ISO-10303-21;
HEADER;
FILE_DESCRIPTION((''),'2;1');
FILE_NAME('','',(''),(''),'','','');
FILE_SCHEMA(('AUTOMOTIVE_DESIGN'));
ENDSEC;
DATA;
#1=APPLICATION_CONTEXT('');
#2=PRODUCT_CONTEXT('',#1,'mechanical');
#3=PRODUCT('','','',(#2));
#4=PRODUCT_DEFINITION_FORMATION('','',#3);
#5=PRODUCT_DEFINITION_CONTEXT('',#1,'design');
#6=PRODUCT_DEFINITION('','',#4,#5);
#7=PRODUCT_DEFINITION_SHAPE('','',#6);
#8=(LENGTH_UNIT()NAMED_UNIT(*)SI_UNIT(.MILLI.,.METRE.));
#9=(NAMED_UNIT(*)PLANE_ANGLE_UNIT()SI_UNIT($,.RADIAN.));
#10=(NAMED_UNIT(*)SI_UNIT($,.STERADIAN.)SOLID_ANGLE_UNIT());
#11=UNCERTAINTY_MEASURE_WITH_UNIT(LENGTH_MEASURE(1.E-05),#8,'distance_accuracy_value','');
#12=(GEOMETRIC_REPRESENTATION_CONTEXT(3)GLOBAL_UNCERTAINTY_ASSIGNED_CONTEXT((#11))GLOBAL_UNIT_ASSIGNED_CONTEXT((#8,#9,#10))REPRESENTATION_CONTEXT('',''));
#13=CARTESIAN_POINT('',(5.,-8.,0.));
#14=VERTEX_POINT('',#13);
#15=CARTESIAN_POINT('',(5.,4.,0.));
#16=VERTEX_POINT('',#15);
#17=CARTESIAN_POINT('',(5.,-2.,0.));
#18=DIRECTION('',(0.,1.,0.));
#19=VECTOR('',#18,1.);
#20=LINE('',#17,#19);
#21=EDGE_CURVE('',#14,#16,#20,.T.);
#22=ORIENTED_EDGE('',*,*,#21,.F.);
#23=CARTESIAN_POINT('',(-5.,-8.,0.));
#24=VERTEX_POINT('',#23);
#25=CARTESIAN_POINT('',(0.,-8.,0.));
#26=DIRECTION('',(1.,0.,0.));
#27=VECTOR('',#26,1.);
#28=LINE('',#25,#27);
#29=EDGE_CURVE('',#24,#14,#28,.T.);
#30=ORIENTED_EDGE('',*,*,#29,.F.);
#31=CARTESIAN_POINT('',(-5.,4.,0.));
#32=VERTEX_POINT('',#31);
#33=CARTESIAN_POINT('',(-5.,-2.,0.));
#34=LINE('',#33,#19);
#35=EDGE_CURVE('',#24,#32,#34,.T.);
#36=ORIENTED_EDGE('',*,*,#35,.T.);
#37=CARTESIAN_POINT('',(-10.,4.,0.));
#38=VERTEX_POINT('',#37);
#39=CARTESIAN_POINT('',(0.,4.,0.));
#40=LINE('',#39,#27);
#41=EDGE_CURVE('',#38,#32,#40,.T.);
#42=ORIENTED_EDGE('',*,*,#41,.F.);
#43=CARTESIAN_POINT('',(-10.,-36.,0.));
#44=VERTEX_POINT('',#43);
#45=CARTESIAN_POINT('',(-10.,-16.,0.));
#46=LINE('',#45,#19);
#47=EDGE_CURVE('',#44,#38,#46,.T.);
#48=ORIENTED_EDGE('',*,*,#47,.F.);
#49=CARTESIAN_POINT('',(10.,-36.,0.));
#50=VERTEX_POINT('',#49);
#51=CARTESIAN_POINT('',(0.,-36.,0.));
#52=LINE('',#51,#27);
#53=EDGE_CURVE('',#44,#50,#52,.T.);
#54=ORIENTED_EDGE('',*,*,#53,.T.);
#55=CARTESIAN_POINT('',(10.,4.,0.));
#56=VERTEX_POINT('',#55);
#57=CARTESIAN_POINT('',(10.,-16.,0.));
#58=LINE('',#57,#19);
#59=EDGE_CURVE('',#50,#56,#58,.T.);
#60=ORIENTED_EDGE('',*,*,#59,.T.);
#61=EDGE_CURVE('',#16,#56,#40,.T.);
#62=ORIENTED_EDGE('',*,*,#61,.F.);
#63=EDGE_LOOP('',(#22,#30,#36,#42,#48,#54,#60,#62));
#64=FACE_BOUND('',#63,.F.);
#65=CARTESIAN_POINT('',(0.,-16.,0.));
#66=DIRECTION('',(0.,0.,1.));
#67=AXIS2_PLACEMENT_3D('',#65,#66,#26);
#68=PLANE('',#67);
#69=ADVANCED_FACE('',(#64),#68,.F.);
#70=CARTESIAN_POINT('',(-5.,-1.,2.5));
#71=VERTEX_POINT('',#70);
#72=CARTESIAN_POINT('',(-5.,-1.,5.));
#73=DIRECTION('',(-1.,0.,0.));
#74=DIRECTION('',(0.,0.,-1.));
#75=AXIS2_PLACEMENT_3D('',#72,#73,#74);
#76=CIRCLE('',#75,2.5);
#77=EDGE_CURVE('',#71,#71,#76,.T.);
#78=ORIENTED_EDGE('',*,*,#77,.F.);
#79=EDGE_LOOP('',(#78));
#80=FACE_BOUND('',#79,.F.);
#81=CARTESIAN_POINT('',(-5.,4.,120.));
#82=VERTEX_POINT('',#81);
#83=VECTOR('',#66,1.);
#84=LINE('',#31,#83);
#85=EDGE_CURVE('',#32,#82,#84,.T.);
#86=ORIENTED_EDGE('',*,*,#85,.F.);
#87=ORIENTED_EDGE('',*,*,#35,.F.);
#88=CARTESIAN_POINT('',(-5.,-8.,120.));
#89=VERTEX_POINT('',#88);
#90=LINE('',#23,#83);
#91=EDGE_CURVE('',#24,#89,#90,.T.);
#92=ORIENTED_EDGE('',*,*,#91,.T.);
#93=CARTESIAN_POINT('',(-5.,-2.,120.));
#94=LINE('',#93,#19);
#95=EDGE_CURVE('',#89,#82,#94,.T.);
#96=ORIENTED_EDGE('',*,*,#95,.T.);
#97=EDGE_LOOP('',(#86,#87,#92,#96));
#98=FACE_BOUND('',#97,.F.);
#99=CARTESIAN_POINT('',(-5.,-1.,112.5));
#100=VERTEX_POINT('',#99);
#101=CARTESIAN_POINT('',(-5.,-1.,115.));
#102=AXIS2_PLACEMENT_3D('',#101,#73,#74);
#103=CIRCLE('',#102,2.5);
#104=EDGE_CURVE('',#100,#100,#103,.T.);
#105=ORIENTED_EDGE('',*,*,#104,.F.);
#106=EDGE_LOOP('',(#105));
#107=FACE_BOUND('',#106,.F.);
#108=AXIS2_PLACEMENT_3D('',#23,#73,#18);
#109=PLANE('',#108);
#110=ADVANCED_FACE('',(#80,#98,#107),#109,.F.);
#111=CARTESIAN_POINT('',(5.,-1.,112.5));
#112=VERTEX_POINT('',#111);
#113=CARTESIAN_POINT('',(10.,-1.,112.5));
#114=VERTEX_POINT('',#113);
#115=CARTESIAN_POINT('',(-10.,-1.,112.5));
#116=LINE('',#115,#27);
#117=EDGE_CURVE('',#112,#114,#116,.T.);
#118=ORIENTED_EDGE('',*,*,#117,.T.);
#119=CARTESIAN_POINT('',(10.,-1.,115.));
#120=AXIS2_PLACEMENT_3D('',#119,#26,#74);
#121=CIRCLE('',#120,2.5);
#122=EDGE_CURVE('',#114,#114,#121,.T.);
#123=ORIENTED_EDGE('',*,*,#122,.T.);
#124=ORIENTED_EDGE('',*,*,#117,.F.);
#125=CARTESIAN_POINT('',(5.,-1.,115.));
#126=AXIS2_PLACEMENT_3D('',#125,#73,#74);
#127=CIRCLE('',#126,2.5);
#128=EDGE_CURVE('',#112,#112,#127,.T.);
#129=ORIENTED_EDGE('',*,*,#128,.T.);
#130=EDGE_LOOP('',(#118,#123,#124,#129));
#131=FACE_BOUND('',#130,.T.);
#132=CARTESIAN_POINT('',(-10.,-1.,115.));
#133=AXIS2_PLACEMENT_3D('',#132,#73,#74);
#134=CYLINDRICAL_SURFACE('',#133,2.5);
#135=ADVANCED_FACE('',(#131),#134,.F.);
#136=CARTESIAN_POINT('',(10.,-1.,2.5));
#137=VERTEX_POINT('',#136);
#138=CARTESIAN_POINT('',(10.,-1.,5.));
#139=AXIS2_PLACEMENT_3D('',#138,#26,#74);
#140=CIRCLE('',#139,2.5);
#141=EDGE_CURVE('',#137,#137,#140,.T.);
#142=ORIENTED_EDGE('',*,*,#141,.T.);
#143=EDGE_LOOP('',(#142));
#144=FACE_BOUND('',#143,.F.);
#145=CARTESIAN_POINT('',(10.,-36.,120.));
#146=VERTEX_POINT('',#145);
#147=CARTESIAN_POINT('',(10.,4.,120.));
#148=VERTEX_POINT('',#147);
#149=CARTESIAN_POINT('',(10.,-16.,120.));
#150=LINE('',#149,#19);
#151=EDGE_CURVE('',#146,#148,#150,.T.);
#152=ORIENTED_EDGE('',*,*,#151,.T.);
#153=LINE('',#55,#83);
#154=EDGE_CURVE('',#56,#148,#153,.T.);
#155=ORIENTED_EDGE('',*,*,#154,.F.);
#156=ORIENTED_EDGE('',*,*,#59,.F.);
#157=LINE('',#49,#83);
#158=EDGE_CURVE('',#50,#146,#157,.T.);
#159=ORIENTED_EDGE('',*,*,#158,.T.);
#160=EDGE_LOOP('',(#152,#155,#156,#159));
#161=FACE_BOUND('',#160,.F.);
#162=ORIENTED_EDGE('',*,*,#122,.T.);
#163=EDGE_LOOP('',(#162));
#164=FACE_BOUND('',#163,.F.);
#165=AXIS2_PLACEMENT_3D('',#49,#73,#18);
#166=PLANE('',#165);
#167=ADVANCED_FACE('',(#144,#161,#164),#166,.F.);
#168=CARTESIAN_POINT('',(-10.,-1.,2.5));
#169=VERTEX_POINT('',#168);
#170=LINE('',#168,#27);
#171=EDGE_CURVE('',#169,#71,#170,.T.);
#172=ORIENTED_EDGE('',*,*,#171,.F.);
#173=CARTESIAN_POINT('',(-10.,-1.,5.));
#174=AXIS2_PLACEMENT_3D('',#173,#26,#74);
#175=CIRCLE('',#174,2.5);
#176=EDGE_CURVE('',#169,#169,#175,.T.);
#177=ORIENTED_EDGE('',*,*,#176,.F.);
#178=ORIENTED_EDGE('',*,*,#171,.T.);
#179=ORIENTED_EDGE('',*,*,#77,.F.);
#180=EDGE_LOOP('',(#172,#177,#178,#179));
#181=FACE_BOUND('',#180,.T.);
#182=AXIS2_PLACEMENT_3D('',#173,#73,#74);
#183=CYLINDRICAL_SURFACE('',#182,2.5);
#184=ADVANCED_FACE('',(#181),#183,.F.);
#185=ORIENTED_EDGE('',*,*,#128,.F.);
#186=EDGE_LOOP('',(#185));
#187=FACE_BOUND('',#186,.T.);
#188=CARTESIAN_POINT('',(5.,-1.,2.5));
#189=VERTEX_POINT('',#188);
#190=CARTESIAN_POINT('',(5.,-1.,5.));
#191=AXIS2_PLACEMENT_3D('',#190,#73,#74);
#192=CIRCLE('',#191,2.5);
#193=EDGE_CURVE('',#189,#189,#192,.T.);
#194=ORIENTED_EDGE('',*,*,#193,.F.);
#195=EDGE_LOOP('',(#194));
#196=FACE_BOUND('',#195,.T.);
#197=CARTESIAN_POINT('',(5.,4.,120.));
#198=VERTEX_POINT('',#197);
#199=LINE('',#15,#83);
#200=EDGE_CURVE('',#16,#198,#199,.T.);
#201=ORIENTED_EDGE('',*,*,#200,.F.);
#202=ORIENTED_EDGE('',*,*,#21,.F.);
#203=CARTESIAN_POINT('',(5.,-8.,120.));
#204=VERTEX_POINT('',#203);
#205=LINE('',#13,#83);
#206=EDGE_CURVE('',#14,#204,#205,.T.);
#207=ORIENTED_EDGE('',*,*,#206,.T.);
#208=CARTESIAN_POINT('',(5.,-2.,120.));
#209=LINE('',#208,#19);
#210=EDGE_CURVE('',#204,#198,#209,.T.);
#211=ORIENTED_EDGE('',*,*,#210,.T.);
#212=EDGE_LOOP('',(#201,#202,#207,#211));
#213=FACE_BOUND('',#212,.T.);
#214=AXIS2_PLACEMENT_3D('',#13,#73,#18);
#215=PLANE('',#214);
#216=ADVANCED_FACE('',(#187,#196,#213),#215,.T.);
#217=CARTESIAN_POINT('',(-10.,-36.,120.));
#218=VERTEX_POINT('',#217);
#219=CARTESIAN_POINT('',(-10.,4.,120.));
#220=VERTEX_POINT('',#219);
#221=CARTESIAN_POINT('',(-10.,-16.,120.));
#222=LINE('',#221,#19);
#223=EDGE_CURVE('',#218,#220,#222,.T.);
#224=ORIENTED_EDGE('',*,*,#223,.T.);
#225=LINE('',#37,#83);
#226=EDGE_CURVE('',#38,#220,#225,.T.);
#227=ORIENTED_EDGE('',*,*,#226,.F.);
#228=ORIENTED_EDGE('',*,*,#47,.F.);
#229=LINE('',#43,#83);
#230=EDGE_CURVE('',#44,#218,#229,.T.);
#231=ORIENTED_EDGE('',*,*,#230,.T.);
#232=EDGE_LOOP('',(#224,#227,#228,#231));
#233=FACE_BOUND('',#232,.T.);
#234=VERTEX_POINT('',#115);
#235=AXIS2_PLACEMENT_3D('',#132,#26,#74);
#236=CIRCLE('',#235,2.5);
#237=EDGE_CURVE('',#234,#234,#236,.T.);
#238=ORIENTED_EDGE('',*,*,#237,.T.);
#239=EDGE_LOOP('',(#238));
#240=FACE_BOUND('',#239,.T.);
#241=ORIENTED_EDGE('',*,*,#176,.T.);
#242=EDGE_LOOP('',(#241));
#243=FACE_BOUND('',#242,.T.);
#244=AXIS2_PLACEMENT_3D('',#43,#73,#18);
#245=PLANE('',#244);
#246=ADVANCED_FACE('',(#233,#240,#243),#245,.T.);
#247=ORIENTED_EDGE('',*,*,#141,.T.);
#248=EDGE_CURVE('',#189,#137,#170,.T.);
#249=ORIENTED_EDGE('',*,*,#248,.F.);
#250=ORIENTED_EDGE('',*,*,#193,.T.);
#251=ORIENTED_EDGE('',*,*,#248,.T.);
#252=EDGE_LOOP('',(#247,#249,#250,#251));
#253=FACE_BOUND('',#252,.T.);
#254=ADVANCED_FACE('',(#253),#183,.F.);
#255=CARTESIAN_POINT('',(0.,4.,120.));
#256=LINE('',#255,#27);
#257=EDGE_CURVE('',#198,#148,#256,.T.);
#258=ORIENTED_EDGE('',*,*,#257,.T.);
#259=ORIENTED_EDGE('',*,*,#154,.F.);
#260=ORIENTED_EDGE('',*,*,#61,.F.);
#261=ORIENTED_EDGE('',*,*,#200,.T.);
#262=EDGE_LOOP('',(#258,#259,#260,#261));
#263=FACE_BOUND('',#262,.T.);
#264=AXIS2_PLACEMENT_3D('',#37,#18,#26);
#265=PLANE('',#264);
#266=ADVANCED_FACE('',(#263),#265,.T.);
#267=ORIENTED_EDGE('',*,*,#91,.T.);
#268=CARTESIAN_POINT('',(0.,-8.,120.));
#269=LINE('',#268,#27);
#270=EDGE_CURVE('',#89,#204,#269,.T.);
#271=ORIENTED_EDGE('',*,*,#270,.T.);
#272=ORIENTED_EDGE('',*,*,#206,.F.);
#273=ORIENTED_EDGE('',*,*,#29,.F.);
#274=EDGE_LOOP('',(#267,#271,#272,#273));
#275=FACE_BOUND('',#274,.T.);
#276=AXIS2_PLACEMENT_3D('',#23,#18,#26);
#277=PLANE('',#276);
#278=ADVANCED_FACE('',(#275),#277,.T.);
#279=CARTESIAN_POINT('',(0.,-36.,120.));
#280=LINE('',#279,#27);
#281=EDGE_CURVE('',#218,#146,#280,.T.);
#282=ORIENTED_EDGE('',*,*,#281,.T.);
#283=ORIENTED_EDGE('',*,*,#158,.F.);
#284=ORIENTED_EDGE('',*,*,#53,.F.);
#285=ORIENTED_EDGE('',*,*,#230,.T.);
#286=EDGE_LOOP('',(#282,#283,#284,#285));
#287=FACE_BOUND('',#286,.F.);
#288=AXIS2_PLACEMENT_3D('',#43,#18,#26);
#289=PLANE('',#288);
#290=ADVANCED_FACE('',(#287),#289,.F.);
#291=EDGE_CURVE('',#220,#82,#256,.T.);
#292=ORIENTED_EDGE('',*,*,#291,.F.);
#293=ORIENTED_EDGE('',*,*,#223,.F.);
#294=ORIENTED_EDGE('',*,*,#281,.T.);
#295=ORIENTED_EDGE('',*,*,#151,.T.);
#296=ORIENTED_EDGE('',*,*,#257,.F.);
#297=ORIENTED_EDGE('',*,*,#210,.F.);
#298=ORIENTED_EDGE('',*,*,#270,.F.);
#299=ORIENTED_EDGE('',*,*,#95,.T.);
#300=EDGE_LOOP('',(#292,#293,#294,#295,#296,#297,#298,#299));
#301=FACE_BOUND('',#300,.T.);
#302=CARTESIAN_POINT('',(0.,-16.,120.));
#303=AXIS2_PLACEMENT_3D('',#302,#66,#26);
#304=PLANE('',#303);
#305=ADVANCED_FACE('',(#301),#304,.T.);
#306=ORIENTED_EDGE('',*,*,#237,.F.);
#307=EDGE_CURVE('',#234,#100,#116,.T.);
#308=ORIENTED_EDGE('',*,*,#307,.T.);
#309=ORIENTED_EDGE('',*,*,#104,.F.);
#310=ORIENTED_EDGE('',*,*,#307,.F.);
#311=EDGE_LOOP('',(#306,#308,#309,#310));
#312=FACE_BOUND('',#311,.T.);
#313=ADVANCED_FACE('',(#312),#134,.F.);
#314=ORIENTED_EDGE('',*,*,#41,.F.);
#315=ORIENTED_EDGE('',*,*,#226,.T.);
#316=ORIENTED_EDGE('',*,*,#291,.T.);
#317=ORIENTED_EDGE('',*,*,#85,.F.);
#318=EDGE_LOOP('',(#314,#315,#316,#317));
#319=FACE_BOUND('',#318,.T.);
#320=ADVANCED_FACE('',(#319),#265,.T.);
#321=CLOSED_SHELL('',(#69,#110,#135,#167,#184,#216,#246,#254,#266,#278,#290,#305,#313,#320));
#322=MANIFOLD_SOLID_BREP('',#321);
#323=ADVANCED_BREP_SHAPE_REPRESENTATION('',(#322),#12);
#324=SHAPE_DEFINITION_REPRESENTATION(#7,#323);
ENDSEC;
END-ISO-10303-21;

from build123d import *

# Parameters (mm, degrees)
CYLINDER040_R     = 2.5
CYLINDER040_DEPTH = 20
CYLINDER039_R     = 2.5
CYLINDER039_DEPTH = 20
BOX012_W          = 10
BOX012_H          = 12
BOX012_DEPTH      = 120
BOX013_W          = 20
BOX013_H          = 40
BOX013_DEPTH      = 120


with BuildPart() as cilindro027:
    # Cylinder040 → Cylinder040 (new body)
    with BuildSketch(Plane(origin=(-10, 59, 115), x_dir=(0, 0, -1), z_dir=(1, 0, 0))):
        Circle(CYLINDER040_R)
    extrude(amount=CYLINDER040_DEPTH)


with BuildPart() as uamarebridas:
    # Cylinder039 → Cylinder039 (new body)
    with BuildSketch(Plane(origin=(-10, 59, 5), x_dir=(0, 0, -1), z_dir=(1, 0, 0))):
        Circle(CYLINDER039_R)
    extrude(amount=CYLINDER039_DEPTH)

    # Fusion021: union Cilindro027
    add(cilindro027.part)


with BuildPart() as uamarebridas_1:
    # Fusion021 placement: moved
    add(uamarebridas.part.moved(Location((0, -60, 0))))


with BuildPart() as cubo012:
    # Box012 → Box012 (new body)
    with BuildSketch(Plane(origin=(-5, -72, 0), x_dir=(1, 0, 0), z_dir=(0, 0, 1))):
        with Locations((5, 6)):
            Rectangle(BOX012_W, BOX012_H)
    extrude(amount=BOX012_DEPTH)


with BuildPart() as cut037:
    # Box013 → Box013 (new body)
    with BuildSketch(Plane(origin=(-10, -100, 0), x_dir=(1, 0, 0), z_dir=(0, 0, 1))):
        with Locations((10, 20)):
            Rectangle(BOX013_W, BOX013_H)
    extrude(amount=BOX013_DEPTH)

    # Cut036: cut Cubo012
    add(cubo012.part, mode=Mode.SUBTRACT)


with BuildPart() as cut037_1:
    # Cut036 placement: moved
    add(cut037.part.moved(Location((0, 64, 0))))

    # Cut037: cut UamareBridas
    add(uamarebridas_1.part, mode=Mode.SUBTRACT)


solid = cut037_1.part
